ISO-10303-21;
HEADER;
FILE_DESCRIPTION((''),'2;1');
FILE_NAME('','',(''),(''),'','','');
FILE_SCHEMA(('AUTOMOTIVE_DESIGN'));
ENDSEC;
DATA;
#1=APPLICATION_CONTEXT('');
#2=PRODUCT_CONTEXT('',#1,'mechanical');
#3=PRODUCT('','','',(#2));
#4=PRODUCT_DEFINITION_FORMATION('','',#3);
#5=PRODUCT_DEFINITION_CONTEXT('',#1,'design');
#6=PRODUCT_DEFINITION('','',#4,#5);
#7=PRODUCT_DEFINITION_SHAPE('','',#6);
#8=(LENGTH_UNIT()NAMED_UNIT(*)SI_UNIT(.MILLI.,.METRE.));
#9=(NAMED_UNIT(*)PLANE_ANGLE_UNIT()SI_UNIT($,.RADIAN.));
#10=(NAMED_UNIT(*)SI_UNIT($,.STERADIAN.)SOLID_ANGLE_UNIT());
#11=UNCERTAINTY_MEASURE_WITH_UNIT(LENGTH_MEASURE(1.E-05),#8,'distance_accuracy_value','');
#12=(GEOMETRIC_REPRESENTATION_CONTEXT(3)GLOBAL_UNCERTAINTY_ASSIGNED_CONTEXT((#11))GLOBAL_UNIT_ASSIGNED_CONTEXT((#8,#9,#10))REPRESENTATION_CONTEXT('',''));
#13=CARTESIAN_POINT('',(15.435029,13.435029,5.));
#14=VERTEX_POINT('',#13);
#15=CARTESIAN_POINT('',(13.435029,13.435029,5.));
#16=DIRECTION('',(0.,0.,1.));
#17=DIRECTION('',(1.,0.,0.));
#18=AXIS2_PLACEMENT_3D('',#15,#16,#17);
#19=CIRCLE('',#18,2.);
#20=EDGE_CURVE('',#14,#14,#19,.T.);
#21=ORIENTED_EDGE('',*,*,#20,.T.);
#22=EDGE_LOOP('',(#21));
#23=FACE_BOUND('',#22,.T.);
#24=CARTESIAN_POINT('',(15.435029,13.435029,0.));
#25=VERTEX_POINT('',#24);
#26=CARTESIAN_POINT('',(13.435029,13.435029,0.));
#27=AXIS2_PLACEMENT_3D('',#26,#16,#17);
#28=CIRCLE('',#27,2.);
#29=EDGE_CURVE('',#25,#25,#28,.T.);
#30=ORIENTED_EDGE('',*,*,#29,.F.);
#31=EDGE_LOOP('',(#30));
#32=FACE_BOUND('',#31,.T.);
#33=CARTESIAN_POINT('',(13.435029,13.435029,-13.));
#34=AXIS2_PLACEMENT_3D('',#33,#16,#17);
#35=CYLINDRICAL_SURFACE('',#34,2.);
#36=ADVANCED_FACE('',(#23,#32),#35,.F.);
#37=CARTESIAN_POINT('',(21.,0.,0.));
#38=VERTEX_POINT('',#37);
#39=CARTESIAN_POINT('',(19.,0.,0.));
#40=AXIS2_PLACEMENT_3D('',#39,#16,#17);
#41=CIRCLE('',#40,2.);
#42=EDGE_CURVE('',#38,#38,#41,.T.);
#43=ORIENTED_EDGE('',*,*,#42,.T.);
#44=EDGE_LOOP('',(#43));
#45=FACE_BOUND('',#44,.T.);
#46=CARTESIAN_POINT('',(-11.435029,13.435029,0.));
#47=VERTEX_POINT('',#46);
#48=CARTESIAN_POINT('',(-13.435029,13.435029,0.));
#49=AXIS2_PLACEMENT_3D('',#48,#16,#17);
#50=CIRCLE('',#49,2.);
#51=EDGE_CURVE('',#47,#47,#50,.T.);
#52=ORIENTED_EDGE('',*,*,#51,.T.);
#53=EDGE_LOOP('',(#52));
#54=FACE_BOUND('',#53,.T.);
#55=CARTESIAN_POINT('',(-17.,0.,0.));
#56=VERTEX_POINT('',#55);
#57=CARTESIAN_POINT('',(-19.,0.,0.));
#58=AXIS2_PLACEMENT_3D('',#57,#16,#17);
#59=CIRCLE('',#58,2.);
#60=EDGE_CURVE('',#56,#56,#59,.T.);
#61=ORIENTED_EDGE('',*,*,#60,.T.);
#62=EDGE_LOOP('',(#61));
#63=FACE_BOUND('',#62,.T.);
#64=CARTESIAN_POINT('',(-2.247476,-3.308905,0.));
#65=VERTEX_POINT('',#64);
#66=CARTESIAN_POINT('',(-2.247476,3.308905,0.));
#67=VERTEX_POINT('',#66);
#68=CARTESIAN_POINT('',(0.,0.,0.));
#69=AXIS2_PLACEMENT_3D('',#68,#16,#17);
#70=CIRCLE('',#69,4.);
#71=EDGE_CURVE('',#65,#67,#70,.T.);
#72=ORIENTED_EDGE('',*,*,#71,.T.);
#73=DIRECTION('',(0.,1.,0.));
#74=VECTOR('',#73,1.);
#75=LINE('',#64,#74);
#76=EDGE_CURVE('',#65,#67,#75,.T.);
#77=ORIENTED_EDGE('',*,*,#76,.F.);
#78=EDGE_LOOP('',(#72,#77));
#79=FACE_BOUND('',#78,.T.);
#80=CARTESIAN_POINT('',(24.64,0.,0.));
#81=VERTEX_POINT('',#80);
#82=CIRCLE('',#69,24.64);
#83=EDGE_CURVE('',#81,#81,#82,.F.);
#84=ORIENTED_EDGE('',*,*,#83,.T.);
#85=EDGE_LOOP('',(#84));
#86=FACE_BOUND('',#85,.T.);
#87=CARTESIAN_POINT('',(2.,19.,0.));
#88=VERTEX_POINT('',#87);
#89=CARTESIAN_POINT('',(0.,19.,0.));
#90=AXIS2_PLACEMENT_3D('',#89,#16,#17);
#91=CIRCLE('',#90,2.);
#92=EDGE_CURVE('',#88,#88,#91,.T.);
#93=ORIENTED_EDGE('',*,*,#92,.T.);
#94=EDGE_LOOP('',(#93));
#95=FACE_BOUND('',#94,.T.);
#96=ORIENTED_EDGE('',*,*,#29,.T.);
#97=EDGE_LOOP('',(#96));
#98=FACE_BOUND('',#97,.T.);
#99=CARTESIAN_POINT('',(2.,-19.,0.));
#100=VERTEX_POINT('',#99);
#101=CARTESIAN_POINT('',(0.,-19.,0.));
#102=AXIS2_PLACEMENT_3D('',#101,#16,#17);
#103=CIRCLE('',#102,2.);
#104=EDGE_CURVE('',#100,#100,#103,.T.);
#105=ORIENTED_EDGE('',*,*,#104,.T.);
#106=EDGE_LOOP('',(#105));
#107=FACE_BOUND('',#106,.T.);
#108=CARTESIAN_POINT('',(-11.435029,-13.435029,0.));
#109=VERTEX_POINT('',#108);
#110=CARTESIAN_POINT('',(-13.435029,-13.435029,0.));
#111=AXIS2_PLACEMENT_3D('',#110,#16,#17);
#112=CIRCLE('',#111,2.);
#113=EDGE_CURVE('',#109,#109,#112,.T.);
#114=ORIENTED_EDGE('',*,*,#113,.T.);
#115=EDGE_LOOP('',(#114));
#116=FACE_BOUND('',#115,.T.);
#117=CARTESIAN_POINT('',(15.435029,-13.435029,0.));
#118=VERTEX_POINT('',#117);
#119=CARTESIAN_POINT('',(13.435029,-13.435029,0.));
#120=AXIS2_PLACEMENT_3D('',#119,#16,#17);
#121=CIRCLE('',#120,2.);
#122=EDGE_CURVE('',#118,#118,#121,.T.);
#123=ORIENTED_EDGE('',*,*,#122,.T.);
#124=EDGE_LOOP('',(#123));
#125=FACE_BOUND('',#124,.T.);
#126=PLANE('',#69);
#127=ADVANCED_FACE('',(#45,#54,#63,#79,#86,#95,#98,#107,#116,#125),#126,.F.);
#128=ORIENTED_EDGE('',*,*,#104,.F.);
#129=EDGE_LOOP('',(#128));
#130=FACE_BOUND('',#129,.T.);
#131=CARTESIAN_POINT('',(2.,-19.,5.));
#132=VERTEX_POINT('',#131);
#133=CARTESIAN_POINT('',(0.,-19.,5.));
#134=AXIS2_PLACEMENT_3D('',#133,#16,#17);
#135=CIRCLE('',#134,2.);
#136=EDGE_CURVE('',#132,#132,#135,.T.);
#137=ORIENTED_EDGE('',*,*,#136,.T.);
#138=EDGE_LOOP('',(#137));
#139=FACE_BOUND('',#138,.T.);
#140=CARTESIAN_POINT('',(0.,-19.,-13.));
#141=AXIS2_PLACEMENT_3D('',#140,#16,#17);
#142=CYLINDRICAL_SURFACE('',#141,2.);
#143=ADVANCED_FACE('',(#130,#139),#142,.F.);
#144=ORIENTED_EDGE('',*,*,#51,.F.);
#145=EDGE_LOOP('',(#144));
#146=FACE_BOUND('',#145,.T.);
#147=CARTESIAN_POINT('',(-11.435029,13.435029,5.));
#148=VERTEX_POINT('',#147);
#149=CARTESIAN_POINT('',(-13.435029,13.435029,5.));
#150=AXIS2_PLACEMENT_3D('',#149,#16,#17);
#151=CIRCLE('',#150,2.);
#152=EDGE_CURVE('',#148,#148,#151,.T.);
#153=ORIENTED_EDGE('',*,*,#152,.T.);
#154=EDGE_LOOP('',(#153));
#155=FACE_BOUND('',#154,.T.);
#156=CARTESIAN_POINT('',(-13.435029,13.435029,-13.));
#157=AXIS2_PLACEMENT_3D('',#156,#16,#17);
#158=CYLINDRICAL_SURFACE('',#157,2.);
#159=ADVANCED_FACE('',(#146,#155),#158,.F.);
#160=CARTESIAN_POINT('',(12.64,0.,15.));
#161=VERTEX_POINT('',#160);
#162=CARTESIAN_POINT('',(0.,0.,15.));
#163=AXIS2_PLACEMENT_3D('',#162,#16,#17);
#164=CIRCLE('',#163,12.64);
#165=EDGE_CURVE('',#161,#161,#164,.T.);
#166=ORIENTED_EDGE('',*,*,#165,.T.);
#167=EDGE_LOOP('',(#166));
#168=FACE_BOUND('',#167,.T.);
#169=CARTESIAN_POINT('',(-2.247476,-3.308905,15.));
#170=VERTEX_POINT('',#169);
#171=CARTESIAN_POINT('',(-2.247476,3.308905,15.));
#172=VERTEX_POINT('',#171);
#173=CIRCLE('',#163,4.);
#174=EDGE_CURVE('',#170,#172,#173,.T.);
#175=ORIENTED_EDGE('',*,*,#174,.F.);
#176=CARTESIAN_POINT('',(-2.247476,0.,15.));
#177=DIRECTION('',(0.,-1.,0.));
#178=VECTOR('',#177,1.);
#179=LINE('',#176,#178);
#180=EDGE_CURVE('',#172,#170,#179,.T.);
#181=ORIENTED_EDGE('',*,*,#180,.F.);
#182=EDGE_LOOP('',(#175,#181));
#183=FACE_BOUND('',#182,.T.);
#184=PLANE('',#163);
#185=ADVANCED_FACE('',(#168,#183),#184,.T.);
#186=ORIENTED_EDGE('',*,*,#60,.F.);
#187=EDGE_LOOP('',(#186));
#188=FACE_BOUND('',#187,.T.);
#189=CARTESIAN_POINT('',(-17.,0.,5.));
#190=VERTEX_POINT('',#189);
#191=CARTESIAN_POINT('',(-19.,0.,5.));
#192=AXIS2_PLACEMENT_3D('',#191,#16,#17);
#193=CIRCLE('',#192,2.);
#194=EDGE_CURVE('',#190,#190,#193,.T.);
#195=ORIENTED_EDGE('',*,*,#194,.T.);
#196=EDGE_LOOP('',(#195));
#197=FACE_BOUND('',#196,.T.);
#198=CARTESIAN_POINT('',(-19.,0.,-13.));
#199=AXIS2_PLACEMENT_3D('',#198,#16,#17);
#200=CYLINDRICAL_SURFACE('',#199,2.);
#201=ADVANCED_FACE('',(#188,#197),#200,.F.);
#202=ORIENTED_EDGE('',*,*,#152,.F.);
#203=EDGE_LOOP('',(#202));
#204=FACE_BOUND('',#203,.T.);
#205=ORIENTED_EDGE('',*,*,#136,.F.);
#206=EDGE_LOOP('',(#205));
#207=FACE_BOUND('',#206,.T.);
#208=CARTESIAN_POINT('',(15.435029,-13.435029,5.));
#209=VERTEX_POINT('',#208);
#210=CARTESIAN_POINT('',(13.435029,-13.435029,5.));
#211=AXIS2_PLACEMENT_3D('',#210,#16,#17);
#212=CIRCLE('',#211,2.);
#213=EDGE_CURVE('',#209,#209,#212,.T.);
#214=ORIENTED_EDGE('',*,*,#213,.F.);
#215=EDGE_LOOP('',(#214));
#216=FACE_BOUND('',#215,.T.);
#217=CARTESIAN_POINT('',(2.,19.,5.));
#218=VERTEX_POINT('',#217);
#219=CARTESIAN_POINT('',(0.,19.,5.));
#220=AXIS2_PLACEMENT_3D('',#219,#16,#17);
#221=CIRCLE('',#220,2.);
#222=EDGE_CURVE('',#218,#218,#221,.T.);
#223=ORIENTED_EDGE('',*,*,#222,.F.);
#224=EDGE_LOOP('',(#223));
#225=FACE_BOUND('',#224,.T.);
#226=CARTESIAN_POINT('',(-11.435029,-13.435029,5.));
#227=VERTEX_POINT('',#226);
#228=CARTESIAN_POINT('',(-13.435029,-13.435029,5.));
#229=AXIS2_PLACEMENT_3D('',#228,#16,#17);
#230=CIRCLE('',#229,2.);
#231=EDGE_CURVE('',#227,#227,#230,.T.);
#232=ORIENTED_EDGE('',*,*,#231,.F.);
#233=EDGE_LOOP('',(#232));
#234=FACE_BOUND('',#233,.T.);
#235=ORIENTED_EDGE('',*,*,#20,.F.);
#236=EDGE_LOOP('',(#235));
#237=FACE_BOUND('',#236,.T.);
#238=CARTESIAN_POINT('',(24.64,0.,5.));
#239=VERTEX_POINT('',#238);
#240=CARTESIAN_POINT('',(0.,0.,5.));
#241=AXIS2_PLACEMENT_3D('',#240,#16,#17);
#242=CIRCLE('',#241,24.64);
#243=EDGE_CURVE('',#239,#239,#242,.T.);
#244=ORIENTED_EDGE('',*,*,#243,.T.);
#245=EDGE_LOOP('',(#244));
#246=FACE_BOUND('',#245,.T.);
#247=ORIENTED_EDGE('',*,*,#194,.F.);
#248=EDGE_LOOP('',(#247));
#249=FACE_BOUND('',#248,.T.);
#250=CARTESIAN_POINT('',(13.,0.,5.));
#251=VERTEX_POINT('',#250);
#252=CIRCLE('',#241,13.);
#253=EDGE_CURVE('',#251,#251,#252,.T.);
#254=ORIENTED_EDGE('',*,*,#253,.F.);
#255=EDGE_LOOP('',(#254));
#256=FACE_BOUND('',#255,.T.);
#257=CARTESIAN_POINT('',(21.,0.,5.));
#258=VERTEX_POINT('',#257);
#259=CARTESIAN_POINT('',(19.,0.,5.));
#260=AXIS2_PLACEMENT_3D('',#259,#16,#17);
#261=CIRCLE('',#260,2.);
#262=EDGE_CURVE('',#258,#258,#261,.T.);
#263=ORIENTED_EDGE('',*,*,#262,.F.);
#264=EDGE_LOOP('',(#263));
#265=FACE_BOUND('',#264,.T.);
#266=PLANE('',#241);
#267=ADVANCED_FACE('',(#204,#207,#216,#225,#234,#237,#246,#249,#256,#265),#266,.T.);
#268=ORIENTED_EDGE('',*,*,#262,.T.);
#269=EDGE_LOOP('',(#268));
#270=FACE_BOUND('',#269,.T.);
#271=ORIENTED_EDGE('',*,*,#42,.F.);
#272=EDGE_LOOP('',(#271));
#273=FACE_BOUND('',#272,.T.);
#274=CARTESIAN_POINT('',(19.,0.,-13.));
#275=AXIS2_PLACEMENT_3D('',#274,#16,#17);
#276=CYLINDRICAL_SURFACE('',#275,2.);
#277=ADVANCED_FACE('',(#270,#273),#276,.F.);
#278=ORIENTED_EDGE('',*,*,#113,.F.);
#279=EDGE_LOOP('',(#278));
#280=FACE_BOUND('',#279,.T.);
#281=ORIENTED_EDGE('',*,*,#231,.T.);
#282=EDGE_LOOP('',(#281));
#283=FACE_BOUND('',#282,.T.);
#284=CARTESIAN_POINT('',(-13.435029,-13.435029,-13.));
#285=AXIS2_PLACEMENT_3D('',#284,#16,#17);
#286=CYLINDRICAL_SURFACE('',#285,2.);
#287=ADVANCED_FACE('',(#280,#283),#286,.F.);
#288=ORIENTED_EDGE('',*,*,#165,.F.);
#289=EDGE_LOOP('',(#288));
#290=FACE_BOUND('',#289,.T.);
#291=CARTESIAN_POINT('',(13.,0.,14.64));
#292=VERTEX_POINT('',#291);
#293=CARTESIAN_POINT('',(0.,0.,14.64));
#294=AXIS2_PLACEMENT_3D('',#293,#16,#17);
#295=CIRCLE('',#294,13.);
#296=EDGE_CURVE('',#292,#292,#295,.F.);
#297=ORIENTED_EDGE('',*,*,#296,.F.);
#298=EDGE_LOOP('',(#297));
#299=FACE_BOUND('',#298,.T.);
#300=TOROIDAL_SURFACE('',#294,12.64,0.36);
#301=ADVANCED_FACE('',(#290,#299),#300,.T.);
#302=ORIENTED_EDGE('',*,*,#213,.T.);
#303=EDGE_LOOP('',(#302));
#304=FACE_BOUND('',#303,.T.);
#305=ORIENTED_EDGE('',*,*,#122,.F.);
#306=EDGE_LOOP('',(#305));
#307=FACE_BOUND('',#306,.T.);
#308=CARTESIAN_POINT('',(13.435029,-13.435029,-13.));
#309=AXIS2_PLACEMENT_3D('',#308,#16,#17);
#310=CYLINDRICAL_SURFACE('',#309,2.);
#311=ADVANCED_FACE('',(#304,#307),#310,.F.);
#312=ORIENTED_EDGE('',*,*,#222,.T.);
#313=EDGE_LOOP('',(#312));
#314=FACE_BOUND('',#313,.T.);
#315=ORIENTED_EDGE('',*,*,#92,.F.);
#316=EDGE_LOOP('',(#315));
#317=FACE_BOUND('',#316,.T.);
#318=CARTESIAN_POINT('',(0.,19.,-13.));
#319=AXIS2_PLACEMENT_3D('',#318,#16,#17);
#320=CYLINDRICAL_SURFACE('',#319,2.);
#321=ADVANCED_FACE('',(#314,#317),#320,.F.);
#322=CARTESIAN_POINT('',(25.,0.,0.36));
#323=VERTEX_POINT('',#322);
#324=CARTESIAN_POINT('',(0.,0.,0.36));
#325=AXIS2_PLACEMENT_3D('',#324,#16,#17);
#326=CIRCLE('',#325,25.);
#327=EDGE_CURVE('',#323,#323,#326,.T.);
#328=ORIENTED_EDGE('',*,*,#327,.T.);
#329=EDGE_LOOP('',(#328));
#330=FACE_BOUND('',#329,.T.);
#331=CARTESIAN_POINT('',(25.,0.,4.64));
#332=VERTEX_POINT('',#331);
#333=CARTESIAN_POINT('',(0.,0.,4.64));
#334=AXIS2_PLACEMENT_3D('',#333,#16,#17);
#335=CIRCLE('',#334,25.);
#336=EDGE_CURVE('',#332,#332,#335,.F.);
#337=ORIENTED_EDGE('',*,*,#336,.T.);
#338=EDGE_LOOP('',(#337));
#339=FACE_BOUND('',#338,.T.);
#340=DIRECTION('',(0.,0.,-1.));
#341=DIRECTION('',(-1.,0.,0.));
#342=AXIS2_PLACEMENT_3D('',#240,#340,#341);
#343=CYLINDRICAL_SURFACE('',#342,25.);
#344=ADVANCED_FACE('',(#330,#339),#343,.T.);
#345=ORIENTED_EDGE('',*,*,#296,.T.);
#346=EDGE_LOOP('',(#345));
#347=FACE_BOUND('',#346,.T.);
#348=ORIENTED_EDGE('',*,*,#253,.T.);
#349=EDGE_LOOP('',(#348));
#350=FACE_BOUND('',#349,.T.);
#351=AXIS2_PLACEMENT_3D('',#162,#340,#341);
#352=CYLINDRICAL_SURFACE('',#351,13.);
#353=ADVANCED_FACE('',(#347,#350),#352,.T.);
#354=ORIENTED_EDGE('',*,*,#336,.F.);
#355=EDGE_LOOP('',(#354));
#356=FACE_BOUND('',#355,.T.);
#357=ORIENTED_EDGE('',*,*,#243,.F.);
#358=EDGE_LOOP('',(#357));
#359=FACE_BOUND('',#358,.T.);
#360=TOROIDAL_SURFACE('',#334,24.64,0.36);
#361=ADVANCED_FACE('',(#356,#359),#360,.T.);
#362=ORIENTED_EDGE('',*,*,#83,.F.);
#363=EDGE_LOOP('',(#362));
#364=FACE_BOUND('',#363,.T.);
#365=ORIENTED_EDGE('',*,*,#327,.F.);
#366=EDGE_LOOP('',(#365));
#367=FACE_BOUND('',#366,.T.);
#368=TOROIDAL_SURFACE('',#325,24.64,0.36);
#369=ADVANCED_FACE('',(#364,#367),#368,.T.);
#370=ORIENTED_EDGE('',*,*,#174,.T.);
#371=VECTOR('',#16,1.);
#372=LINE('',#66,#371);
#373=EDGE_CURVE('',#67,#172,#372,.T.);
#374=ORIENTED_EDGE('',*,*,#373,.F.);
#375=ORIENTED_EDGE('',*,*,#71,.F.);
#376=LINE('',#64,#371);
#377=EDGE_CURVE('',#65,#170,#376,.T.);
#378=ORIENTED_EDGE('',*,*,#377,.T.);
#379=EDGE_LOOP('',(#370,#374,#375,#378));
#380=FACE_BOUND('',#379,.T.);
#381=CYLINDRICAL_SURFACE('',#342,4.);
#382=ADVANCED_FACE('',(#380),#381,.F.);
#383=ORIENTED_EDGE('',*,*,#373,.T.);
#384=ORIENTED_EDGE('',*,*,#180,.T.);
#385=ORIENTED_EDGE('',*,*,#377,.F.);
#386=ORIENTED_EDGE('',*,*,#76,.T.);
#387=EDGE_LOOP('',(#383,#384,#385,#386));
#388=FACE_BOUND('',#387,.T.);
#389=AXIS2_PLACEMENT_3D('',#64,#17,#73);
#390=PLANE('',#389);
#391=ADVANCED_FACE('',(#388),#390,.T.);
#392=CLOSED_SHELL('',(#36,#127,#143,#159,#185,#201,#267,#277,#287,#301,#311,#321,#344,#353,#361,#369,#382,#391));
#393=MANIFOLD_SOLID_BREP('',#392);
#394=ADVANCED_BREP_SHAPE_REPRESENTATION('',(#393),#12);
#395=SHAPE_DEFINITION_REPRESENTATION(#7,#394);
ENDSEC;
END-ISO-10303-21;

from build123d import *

# Parameters (mm, degrees)
SKETCH_1_R          = 25
SKETCH_1_R_2        = 4
EXTRUDE_1_DEPTH     = 5
EXTRUDE_2_DEPTH     = 5
SKETCH_5_R          = 13
EXTRUDE_3_DEPTH     = 10
CUT_EXTRUDE_1_DEPTH = 18
SKETCH_7_R          = 2
CUT_EXTRUDE_2_DEPTH = 18
FILLET_4_R          = 0.36


with BuildPart() as part:
    # 草图1 → 凸台-拉伸1 (new body)
    with BuildSketch(Plane.XY):
        Circle(SKETCH_1_R)
        Circle(SKETCH_1_R_2, mode=Mode.SUBTRACT)
    extrude(amount=EXTRUDE_1_DEPTH)

    # 草图2 → 凸台-拉伸2 (add)
    with BuildSketch(Plane.XY.offset(5)):
        with BuildLine():
            Line((-2.247476495, -3.308904563), (-2.247476495, 3.308904563))
            ThreePointArc((-2.247476495, 3.308904563), (-4, 0), (-2.247476495, -3.308904563))
        make_face()
    extrude(amount=-EXTRUDE_2_DEPTH)

    # 草图5 → 凸台-拉伸3 (add)
    with BuildSketch(Plane.XY.offset(5)):
        Circle(SKETCH_5_R)
    extrude(amount=EXTRUDE_3_DEPTH)

    # 草图6 → 切除-拉伸1 (cut)
    with BuildSketch(Plane(origin=(0, 0, 0), x_dir=(-1, 0, 0), z_dir=(0, 0, -1))):
        with BuildLine():
            Line((2.247476495, 3.308904563), (2.247476495, -3.308904563))
            ThreePointArc((2.247476495, -3.308904563), (-4, 0), (2.247476495, 3.308904563))
        make_face()
    extrude(amount=-CUT_EXTRUDE_1_DEPTH, mode=Mode.SUBTRACT)

    # 草图7 → 切除-拉伸2 (cut)
    with BuildSketch(Plane.XY.offset(5)):
        with Locations((0, 19)):
            Circle(SKETCH_7_R)
        with Locations((13.435028843, 13.435028843)):
            Circle(SKETCH_7_R)
        with Locations((19, 0)):
            Circle(SKETCH_7_R)
        with Locations((13.435028843, -13.435028843)):
            Circle(SKETCH_7_R)
        with Locations((0, -19)):
            Circle(SKETCH_7_R)
        with Locations((-13.435028843, -13.435028843)):
            Circle(SKETCH_7_R)
        with Locations((-19, 0)):
            Circle(SKETCH_7_R)
        with Locations((-13.435028843, 13.435028843)):
            Circle(SKETCH_7_R)
    extrude(amount=-CUT_EXTRUDE_2_DEPTH, mode=Mode.SUBTRACT)

    # 圆角4
    fillet_4_edges = [part.edges().sort_by_distance(p)[0] for p in [
        (-25, 0, 0),
        (-13, 0, 15),
        (-25, 0, 5),
    ]]
    fillet(fillet_4_edges, radius=FILLET_4_R)


solid = part.part
